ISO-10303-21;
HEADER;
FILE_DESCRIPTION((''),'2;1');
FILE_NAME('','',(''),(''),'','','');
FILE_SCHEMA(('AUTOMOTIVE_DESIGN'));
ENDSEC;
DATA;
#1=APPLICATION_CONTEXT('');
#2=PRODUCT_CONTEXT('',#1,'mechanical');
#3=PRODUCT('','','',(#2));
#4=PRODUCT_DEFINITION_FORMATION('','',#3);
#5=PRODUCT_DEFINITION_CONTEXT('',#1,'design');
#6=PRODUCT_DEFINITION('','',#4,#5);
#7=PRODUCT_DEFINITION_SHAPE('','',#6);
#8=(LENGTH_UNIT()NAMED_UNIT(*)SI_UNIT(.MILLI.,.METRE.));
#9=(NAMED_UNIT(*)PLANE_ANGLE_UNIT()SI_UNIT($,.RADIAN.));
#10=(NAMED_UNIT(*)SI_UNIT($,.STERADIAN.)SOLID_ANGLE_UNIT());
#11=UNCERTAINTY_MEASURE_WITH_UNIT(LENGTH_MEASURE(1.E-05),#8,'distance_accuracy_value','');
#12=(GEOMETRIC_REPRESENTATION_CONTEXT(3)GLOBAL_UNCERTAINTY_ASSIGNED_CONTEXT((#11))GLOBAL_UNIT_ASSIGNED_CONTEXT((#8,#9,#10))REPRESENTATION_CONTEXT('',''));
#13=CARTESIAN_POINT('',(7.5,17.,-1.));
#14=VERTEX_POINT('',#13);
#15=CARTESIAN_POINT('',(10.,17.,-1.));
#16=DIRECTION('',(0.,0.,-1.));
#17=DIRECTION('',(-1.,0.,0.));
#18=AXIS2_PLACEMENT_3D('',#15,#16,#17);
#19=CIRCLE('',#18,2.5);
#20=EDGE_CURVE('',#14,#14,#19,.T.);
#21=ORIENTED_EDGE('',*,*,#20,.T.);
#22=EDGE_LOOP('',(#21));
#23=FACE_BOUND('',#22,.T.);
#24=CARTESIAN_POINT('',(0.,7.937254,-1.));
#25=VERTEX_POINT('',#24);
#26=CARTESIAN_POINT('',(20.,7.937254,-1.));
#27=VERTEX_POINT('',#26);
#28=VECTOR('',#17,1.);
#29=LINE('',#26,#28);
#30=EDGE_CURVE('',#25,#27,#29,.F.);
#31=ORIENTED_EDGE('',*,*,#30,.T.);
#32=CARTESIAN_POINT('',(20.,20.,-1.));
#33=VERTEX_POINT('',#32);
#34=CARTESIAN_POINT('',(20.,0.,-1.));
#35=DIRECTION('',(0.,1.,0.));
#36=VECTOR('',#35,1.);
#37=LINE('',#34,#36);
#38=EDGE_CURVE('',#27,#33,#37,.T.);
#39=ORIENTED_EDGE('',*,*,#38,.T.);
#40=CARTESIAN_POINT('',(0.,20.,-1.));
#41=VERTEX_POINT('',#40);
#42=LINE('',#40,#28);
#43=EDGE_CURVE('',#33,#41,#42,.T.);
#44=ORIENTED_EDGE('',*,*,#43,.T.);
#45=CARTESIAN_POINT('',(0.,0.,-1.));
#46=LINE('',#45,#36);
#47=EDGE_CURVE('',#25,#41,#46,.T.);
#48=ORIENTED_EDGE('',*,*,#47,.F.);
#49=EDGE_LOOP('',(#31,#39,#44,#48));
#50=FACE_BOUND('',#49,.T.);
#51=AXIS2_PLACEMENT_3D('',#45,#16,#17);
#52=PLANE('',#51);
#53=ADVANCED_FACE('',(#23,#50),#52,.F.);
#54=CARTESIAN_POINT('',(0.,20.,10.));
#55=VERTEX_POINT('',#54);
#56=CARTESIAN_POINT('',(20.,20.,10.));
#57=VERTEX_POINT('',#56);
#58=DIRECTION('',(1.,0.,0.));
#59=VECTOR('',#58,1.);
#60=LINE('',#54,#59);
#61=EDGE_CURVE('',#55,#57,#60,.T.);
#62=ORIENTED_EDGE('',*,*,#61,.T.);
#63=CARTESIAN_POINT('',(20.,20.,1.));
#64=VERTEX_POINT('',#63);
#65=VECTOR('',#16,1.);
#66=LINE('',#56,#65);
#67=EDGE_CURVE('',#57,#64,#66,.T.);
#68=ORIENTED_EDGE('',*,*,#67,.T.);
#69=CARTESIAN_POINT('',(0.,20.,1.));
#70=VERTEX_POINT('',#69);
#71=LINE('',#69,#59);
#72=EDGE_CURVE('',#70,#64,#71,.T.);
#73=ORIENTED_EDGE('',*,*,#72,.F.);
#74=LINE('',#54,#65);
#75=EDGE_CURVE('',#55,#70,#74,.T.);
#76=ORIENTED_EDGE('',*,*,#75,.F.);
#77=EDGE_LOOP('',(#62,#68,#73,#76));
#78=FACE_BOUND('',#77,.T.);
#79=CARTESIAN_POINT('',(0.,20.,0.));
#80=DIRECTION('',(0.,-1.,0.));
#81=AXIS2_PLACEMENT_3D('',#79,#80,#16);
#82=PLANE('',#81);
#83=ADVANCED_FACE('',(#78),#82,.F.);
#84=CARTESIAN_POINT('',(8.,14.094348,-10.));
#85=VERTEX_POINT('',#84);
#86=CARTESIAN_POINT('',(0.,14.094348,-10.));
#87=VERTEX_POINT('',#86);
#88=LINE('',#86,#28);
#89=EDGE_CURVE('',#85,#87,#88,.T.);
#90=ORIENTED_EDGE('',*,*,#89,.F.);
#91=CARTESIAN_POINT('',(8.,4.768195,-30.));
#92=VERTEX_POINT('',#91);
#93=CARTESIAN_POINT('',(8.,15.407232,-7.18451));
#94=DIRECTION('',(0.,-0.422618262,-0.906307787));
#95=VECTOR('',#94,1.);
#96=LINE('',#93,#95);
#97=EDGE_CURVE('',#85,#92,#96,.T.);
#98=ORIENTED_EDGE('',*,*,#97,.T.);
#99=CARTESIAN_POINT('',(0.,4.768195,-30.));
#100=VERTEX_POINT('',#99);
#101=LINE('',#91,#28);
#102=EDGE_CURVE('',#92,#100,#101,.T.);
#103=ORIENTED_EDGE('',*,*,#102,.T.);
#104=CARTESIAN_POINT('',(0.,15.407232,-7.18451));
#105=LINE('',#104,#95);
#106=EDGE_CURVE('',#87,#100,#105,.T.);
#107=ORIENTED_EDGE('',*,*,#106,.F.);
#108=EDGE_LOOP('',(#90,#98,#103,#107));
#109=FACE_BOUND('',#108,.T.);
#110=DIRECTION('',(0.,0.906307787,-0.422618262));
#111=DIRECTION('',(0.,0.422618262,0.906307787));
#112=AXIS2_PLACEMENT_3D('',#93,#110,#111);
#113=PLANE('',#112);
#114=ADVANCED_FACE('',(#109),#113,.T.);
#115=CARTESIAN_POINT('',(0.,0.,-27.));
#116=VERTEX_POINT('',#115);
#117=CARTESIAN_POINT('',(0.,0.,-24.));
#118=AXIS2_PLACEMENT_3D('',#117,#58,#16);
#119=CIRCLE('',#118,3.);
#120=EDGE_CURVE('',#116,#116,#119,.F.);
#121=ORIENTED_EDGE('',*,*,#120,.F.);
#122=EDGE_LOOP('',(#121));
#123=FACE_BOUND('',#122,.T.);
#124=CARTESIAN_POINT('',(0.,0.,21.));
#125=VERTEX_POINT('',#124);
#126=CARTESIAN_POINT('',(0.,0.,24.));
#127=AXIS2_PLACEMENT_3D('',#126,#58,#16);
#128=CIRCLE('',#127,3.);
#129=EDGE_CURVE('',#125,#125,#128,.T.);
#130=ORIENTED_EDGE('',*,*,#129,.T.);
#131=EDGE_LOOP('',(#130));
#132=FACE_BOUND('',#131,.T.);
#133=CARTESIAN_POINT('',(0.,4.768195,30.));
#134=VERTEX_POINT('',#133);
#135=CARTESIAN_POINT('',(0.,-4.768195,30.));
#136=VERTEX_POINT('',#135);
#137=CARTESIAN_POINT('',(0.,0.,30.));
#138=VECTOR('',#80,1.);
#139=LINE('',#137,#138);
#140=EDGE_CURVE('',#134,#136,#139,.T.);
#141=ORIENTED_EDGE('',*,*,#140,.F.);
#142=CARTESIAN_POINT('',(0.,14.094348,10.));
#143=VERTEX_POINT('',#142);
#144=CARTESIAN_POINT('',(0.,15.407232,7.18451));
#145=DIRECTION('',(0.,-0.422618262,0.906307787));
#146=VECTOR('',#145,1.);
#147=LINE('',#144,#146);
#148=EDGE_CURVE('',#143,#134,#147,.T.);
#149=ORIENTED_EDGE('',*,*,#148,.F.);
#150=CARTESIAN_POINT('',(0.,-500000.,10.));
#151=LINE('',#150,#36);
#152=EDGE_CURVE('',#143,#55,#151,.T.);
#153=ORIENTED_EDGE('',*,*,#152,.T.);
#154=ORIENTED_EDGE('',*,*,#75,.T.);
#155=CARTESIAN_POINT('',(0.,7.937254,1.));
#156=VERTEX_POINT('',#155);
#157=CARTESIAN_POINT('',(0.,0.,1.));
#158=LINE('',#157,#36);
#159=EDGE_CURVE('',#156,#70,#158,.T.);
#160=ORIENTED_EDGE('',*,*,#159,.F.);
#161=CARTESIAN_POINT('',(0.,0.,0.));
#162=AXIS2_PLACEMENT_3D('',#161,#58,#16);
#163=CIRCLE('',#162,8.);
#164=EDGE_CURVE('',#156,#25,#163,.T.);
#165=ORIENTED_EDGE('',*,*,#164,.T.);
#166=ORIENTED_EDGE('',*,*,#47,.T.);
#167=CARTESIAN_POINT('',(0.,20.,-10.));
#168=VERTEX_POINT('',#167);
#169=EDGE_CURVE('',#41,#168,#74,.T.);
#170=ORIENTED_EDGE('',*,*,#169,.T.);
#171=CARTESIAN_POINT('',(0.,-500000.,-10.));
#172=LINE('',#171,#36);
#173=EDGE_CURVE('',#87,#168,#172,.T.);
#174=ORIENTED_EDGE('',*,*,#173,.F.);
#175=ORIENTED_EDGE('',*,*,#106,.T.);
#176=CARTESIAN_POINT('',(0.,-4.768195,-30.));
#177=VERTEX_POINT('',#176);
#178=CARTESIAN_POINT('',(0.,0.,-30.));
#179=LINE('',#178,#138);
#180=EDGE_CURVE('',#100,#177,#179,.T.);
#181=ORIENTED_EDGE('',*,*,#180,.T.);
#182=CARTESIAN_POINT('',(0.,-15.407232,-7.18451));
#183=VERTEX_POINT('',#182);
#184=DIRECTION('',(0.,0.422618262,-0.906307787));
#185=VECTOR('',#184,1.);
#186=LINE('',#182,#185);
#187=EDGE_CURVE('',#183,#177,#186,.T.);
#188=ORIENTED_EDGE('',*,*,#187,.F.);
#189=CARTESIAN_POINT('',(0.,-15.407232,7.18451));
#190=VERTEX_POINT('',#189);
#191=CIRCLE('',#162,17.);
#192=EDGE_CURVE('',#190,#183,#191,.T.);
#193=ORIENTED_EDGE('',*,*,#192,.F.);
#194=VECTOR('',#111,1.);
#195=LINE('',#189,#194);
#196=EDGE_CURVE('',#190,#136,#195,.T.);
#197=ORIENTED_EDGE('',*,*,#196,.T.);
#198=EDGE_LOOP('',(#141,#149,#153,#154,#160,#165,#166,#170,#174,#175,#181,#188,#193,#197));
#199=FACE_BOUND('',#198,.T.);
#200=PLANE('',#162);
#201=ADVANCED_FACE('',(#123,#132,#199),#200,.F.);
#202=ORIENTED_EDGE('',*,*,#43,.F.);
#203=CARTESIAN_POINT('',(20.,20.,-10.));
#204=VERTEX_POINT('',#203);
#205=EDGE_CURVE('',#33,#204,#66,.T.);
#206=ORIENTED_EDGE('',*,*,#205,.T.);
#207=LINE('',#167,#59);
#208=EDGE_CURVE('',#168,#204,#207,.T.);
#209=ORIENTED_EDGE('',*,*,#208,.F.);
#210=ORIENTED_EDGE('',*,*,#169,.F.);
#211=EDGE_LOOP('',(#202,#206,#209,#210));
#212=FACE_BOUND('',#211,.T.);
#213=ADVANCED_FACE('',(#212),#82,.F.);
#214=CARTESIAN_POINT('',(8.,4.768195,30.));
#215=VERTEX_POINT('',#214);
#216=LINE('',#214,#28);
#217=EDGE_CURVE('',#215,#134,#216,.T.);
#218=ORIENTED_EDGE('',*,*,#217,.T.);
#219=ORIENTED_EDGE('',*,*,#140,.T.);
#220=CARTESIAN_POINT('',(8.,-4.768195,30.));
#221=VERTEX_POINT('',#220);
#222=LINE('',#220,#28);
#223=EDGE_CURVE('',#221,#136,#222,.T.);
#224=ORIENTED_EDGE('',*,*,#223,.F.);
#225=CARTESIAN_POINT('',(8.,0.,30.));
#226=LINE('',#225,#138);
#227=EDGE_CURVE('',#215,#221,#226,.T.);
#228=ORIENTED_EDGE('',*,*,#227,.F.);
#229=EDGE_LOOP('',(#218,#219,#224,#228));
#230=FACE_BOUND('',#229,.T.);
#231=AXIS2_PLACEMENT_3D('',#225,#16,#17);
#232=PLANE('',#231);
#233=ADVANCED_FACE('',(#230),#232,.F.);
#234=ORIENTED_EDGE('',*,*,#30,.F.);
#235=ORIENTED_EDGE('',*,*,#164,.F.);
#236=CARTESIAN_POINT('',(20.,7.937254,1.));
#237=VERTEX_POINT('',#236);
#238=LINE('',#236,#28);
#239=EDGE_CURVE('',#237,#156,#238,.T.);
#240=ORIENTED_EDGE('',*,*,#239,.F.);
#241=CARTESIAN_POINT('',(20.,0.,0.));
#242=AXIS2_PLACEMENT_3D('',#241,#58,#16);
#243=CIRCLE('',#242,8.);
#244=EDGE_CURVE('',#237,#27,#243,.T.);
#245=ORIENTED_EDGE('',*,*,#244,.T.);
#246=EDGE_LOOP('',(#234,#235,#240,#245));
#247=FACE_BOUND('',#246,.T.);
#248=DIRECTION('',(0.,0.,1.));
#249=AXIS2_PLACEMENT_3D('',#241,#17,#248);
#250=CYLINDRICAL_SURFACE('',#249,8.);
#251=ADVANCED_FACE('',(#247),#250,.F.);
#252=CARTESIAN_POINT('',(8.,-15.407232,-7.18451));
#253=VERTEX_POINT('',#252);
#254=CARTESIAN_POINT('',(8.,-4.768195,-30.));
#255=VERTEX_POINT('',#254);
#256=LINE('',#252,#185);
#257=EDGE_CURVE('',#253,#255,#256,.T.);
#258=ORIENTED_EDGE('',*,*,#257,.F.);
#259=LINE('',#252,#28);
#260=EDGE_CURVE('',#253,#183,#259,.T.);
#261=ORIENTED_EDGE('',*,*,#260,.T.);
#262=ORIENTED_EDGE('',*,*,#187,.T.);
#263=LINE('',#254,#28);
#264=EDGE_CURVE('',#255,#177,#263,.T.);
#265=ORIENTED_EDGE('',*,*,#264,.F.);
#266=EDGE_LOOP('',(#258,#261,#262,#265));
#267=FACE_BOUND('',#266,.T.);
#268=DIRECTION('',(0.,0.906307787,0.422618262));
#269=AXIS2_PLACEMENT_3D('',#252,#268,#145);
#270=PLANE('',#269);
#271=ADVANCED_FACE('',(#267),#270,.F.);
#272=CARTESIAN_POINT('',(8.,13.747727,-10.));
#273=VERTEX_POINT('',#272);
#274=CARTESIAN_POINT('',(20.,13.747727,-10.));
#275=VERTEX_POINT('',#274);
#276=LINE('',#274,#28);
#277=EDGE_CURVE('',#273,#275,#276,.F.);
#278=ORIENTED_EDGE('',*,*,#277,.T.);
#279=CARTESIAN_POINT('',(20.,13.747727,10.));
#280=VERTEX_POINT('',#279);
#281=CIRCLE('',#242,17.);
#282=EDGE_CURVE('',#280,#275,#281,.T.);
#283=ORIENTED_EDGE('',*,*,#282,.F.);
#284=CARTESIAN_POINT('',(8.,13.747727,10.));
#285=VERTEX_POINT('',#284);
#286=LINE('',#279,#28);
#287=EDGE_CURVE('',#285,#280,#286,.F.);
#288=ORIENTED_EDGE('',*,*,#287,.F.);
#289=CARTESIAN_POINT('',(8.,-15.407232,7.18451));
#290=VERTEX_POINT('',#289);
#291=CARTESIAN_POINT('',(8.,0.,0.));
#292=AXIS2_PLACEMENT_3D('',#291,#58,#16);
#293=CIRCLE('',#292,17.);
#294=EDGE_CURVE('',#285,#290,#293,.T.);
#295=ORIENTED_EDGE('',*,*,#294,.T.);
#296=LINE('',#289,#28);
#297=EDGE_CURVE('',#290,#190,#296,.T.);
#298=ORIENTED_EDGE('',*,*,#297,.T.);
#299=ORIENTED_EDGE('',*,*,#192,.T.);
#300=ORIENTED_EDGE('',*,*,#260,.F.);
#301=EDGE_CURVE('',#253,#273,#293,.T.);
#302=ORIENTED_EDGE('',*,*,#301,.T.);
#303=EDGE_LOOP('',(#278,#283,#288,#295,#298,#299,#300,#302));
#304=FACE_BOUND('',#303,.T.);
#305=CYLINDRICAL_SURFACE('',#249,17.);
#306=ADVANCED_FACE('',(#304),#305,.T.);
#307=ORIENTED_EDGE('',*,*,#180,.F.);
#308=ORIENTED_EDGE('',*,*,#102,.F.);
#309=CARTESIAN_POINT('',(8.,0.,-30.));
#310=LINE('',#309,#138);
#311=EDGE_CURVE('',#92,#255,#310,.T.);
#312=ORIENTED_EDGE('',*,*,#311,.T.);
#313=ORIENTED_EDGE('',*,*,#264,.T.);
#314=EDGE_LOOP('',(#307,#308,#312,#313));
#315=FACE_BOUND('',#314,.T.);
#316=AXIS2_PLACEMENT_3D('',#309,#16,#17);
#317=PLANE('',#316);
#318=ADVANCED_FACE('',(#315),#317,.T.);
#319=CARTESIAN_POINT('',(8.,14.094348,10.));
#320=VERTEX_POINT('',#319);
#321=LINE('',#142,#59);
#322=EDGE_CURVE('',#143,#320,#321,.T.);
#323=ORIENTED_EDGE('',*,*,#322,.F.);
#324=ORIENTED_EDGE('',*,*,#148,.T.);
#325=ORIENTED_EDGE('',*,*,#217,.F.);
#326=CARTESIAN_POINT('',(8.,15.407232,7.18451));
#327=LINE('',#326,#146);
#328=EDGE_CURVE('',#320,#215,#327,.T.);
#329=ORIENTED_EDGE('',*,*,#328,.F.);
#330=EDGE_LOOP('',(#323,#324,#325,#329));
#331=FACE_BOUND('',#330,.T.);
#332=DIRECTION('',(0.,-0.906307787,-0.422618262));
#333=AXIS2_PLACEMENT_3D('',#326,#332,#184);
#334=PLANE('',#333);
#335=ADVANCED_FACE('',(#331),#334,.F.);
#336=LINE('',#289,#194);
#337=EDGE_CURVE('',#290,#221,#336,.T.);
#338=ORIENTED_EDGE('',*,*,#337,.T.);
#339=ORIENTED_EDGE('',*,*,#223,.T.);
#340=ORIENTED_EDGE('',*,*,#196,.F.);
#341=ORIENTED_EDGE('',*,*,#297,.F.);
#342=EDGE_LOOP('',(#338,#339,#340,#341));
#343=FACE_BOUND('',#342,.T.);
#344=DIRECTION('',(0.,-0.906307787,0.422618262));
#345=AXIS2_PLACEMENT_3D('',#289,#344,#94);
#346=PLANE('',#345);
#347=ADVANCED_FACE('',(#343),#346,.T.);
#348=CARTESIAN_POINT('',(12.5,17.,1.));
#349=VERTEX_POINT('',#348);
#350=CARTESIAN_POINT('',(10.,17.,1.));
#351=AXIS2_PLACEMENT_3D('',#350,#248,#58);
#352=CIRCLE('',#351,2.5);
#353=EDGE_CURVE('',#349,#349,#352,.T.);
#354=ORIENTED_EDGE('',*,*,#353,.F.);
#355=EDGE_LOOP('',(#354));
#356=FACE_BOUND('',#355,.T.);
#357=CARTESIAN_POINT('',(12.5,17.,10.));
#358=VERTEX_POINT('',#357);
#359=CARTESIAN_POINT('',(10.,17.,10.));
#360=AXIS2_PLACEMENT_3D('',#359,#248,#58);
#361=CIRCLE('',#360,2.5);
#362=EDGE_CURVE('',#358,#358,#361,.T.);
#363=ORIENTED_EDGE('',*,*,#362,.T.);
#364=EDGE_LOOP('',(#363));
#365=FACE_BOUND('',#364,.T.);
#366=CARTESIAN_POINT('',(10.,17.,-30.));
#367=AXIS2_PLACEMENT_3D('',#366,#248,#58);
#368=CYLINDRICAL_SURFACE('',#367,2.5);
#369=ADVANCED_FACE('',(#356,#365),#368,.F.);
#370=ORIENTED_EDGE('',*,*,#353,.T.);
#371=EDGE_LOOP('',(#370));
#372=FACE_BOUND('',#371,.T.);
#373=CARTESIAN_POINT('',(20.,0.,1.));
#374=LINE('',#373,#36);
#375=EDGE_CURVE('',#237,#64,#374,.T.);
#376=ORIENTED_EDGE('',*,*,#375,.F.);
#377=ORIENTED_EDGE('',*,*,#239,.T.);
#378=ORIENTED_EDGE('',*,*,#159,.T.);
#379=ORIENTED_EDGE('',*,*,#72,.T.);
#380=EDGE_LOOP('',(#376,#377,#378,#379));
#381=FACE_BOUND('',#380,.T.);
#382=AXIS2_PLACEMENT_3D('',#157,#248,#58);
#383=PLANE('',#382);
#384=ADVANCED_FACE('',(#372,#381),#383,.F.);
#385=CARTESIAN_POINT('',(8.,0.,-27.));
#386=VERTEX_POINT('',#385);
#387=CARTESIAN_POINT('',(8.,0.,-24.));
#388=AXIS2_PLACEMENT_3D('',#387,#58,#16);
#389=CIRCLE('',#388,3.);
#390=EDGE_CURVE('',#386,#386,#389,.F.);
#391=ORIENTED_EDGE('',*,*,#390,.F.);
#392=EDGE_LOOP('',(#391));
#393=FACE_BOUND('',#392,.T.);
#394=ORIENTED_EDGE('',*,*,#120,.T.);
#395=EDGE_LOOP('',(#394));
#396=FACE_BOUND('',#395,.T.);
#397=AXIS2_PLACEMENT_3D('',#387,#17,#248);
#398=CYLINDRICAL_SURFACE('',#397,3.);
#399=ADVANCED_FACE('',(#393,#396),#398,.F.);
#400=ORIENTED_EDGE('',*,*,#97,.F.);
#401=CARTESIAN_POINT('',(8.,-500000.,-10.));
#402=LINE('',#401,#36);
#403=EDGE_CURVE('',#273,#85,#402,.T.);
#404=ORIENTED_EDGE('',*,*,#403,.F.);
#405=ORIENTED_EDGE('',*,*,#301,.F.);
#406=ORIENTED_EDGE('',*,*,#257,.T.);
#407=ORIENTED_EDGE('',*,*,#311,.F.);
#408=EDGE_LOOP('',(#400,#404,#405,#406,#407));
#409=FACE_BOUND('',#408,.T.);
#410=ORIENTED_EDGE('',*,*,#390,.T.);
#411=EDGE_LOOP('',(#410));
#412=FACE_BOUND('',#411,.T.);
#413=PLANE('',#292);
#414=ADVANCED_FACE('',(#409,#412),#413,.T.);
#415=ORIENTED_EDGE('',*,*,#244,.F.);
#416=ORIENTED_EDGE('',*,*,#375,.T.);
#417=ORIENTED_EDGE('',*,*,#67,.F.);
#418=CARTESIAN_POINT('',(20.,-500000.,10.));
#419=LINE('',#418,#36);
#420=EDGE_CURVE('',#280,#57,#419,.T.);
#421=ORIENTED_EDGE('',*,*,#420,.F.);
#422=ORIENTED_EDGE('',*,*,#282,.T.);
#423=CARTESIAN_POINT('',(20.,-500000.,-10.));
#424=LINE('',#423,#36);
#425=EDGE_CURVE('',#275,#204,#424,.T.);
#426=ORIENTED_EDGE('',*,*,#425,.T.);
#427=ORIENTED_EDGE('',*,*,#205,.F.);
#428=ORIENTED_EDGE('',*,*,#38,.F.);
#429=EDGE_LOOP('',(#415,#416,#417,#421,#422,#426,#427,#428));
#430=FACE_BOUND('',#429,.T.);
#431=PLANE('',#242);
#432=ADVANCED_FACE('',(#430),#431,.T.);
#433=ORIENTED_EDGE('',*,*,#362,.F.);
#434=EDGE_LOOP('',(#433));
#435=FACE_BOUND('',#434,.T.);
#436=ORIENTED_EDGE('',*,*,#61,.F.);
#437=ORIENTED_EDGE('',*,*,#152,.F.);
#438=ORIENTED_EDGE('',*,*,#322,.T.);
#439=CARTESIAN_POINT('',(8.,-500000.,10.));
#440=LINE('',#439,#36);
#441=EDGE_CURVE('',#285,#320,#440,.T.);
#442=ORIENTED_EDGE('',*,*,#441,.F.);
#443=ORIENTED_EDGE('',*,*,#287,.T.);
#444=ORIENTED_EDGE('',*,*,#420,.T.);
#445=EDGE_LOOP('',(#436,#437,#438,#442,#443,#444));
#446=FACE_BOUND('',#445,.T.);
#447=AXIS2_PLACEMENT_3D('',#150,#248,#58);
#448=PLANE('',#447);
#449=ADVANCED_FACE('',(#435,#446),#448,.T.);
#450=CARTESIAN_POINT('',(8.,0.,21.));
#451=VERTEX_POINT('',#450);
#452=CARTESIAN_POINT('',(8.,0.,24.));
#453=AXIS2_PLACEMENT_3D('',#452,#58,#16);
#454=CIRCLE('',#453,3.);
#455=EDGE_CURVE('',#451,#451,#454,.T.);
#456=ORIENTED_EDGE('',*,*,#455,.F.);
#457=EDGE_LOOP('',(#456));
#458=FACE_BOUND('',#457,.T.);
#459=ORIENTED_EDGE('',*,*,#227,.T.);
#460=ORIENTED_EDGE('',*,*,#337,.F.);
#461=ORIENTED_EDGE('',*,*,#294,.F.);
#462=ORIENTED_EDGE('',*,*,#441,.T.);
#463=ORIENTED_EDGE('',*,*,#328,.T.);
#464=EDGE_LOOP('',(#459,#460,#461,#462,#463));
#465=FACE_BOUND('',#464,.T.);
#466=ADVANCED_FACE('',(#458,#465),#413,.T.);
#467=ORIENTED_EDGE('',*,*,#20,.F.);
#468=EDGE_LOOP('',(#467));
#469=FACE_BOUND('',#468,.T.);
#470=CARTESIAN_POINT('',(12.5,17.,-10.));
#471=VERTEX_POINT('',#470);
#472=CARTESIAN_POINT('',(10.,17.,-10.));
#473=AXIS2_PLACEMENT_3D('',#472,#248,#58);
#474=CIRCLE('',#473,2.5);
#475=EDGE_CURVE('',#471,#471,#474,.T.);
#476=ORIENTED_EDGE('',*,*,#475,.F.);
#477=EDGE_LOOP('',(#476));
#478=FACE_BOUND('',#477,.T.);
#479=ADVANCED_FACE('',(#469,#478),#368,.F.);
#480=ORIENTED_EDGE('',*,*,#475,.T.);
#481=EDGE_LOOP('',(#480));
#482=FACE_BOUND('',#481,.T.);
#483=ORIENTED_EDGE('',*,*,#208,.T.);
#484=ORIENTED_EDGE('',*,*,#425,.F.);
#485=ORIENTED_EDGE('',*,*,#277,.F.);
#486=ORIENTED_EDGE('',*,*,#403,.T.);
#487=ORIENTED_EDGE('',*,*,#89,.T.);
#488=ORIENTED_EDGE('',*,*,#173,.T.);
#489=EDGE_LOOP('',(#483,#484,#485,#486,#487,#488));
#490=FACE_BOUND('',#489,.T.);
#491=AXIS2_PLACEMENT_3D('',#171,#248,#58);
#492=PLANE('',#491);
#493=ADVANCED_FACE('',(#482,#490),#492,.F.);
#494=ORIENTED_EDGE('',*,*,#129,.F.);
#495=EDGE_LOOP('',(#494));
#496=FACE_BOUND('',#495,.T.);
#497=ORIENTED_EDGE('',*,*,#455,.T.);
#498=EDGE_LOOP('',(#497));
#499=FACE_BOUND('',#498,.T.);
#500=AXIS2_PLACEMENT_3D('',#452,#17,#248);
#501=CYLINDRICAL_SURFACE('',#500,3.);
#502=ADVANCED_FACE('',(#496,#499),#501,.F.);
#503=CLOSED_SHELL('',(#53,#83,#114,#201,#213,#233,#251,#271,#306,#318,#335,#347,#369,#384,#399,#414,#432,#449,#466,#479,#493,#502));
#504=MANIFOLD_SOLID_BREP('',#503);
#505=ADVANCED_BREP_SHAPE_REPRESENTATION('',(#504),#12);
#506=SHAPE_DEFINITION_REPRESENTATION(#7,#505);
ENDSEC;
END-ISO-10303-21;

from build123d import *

# Parameters (mm, degrees)
SKETCH_1_R          = 3
EXTRUDE_1_DEPTH     = 8
EXTRUDE_1_2_DEPTH   = 8
SKETCH_1_3_R        = 8
EXTRUDE_2_DEPTH     = 20
EXTRUDE_3_REACH     = 53.662
SKETCH_2_W          = 20
SKETCH_2_H          = 20
SKETCH_3_W          = 20
SKETCH_3_H          = 2
CUT_EXTRUDE_1_DEPTH = 20
SKETCH_4_R          = 2.5
CUT_EXTRUDE_2_DEPTH = 49.989794856


with BuildPart() as part:
    # 草图1 → 凸台-拉伸1 (new body)
    with BuildSketch(Plane(origin=(0, 0, 0), x_dir=(0, 0, -1), z_dir=(1, 0, 0))):
        with BuildLine():
            Line((-7.18451045, 15.40723238), (-30, 4.768194878))
            Line((-30, 4.768194878), (-30, -4.768194878))
            Line((-30, -4.768194878), (-7.18451045, -15.40723238))
            ThreePointArc((-7.18451045, -15.40723238), (-17, 0), (-7.18451045, 15.40723238))
        make_face()
        with Locations((-24, 0)):
            Circle(SKETCH_1_R, mode=Mode.SUBTRACT)
    extrude(amount=EXTRUDE_1_DEPTH)



with BuildPart() as body_2:
    # 草图1 → Extrude 1 2 (new body)
    with BuildSketch(Plane(origin=(0, 0, 0), x_dir=(0, 0, -1), z_dir=(1, 0, 0))):
        with BuildLine():
            Line((30, 4.768194878), (7.18451045, 15.40723238))
            ThreePointArc((7.18451045, 15.40723238), (17, 0), (7.18451045, -15.40723238))
            Line((7.18451045, -15.40723238), (30, -4.768194878))
            Line((30, -4.768194878), (30, 4.768194878))
        make_face()
        with Locations((24, 0)):
            Circle(SKETCH_1_R, mode=Mode.SUBTRACT)
    extrude(amount=EXTRUDE_1_2_DEPTH)


with BuildPart() as part_1:
    add(part.part)

    add(body_2.part)  # 凸台-拉伸2 merges body 2
    # 草图1<3> → 凸台-拉伸2 (add)
    with BuildSketch(Plane(origin=(0, 0, 0), x_dir=(0, 0, -1), z_dir=(1, 0, 0))):
        with BuildLine():
            ThreePointArc((7.18451045, 15.40723238), (0, 17), (-7.18451045, 15.40723238))
            ThreePointArc((-7.18451045, 15.40723238), (-17, 0), (-7.18451045, -15.40723238))
            ThreePointArc((-7.18451045, -15.40723238), (0, -17), (7.18451045, -15.40723238))
            ThreePointArc((7.18451045, -15.40723238), (14.337654579, -9.134093342), (17, 0))
            ThreePointArc((17, 0), (14.337654579, 9.134093342), (7.18451045, 15.40723238))
        make_face()
        Circle(SKETCH_1_3_R, mode=Mode.SUBTRACT)
    extrude(amount=EXTRUDE_2_DEPTH)

    # 草图2 → 凸台-拉伸3 (add, up to next)
    with BuildSketch(Plane(origin=(0, 20, 0), x_dir=(1, 0, 0), z_dir=(0, 1, 0)), mode=Mode.PRIVATE) as extrude_3_sk1:
        with Locations((10, 0)):
            Rectangle(SKETCH_2_W, SKETCH_2_H)
    extrude_3_tool1 = extrude(extrude_3_sk1.sketch, amount=-EXTRUDE_3_REACH, mode=Mode.PRIVATE) - part_1.part
    add(extrude_3_tool1.solids().sort_by_distance((10, 20, 0))[0])

    # 草图3 → 切除-拉伸1 (cut)
    with BuildSketch(Plane(origin=(0, 20, 0), x_dir=(1, 0, 0), z_dir=(0, 1, 0))):
        with Locations((10, 0)):
            Rectangle(SKETCH_3_W, SKETCH_3_H)
    extrude(amount=-CUT_EXTRUDE_1_DEPTH, mode=Mode.SUBTRACT)

    # 草图4 → 切除-拉伸2 (cut, through all)
    with BuildSketch(Plane.XY.offset(10)):
        with Locations((10, 17)):
            Circle(SKETCH_4_R)
    extrude(amount=-CUT_EXTRUDE_2_DEPTH, mode=Mode.SUBTRACT)


solid = part_1.part
